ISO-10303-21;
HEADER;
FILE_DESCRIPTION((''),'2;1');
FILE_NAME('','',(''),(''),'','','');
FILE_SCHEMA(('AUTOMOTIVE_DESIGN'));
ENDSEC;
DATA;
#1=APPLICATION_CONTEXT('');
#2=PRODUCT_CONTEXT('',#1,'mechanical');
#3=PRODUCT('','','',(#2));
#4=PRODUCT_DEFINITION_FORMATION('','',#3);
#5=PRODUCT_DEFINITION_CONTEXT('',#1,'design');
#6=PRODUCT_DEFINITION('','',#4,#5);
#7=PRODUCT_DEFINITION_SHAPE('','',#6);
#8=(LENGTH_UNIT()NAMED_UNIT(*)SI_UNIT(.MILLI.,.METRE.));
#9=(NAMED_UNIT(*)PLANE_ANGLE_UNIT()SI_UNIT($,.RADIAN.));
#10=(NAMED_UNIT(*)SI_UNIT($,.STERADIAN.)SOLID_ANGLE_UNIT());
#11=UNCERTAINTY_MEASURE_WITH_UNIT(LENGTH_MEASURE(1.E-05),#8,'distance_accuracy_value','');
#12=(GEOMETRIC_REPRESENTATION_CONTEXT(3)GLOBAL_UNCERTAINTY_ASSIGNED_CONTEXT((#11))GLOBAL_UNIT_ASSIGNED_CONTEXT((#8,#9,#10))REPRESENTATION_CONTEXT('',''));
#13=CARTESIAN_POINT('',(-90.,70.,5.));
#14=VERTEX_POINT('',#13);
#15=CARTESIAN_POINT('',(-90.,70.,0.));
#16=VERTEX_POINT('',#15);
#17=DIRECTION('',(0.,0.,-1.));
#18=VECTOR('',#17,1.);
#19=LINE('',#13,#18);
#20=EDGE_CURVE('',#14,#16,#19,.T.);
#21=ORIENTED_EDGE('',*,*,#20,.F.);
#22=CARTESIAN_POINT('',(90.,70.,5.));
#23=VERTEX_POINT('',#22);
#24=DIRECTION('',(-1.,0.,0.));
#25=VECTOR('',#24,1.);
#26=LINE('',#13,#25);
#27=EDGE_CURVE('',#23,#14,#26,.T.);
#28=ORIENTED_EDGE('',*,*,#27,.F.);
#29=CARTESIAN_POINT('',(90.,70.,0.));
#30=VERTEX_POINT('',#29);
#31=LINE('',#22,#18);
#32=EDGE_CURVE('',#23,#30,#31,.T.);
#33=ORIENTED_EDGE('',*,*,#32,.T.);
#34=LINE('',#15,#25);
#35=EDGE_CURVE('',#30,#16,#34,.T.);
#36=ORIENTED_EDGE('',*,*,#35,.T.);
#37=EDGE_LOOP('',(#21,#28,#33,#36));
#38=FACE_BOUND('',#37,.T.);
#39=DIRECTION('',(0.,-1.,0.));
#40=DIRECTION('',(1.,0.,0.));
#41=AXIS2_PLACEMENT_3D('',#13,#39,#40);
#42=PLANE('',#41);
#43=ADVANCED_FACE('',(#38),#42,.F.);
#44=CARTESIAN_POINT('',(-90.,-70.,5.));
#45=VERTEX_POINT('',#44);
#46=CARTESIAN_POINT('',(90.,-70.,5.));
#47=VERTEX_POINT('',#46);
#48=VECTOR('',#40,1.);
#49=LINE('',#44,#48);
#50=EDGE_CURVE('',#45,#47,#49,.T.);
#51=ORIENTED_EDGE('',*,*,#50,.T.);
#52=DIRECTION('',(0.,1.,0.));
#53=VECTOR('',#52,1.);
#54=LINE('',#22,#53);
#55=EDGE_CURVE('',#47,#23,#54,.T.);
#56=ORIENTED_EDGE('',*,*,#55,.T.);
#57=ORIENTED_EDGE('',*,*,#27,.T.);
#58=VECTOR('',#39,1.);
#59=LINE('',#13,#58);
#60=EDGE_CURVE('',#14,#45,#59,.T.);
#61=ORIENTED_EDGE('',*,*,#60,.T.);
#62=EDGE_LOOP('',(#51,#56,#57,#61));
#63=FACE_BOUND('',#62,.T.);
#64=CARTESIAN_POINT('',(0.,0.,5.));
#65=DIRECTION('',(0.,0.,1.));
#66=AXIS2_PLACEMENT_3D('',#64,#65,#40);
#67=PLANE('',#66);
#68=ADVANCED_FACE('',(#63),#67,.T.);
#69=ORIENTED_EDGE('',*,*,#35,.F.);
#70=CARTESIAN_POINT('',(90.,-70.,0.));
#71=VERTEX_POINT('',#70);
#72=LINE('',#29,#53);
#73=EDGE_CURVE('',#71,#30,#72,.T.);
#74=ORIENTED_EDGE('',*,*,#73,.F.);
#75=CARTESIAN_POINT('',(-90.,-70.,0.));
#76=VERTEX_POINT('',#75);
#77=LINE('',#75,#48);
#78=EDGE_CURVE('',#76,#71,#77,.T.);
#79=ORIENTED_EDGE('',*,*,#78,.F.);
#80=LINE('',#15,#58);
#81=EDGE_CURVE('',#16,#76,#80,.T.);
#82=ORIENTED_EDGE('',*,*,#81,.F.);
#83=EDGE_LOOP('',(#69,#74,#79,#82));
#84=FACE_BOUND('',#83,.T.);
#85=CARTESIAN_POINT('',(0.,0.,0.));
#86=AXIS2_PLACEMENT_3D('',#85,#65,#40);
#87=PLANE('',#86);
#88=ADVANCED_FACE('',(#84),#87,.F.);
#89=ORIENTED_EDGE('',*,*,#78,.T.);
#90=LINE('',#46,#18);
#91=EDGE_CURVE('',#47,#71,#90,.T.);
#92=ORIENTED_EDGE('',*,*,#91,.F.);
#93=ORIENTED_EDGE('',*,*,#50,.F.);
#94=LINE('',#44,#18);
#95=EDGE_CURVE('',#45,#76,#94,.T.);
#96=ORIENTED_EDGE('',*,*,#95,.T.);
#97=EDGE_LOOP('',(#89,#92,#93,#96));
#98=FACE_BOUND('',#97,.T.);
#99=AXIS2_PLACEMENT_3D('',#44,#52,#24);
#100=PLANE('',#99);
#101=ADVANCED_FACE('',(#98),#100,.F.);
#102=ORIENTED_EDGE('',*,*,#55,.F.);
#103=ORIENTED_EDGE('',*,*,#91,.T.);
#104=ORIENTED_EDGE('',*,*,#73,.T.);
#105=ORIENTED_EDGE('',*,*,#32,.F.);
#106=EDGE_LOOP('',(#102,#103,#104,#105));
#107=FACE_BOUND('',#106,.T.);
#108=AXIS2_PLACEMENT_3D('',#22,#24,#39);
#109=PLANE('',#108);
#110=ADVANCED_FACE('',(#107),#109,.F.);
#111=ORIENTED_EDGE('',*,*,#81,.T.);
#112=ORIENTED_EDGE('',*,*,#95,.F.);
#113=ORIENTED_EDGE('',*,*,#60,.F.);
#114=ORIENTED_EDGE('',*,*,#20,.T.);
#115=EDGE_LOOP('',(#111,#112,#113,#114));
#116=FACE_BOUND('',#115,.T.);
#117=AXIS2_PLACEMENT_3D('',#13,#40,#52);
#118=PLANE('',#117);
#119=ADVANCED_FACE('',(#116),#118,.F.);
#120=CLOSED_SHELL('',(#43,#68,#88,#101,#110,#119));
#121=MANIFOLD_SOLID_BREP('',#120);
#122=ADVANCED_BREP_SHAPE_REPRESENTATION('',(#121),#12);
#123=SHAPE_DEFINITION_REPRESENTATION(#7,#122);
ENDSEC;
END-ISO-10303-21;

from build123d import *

# Parameters (mm, degrees)
SKETCH1_W           = 180
SKETCH1_H           = 140
BOSS_EXTRUDE1_DEPTH = 5


with BuildPart() as part:
    # Sketch1 → Boss-Extrude1 (new body)
    with BuildSketch(Plane.XY):
        Rectangle(SKETCH1_W, SKETCH1_H)
    extrude(amount=BOSS_EXTRUDE1_DEPTH)


solid = part.part
